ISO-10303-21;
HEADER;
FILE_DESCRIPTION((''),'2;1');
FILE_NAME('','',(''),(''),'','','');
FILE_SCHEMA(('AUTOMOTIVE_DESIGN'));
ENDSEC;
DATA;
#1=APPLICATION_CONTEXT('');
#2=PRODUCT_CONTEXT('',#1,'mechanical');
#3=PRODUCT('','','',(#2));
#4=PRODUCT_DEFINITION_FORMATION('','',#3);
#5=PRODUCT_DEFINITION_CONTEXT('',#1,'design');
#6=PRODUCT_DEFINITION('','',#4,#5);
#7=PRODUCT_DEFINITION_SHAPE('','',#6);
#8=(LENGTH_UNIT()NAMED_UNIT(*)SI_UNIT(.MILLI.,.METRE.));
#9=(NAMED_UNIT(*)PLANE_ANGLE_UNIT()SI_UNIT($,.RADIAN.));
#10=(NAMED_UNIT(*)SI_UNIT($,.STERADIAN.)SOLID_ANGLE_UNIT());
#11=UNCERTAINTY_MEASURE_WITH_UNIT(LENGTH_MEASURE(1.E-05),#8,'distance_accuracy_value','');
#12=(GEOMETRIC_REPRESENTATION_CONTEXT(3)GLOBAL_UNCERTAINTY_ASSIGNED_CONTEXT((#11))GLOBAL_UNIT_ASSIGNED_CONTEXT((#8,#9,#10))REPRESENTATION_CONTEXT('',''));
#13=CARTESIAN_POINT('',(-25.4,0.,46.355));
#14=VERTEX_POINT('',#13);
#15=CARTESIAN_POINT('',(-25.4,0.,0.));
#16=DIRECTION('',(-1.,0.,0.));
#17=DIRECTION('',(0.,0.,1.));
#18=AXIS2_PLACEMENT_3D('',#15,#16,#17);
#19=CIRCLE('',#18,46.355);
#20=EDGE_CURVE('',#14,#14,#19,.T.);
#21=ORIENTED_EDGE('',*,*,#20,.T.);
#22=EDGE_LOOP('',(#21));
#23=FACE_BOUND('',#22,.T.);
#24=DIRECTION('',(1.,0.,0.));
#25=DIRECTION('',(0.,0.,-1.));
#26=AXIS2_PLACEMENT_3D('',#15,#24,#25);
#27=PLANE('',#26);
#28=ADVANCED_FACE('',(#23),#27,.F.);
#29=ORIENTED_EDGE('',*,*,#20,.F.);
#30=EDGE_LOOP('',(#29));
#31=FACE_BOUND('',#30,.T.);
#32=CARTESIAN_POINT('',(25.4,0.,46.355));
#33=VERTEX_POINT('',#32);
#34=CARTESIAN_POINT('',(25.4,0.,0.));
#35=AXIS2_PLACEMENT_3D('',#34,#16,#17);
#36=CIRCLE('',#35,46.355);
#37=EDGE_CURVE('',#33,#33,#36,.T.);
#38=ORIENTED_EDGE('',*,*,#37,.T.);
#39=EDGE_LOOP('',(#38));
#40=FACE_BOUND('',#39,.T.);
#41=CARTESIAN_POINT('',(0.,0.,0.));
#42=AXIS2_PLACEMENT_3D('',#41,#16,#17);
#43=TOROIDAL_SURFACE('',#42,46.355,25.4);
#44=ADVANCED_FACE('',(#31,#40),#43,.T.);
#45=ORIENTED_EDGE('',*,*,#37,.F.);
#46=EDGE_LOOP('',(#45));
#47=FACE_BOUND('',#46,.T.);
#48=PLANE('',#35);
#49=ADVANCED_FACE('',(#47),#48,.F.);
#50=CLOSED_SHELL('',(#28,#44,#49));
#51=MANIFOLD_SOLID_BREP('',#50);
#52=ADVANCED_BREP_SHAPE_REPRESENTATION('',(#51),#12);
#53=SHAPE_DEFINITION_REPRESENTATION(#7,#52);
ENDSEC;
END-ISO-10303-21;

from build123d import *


with BuildPart() as part:
    # Sketch1 → Revolve1 (revolve)
    with BuildSketch(Plane(origin=(0, 0, 0), x_dir=(1, 0, 0), z_dir=(0, 1, 0)), mode=Mode.PRIVATE) as revolve1_sk:
        with BuildLine():
            Line((-25.4, 0), (-25.4, 46.355))
            ThreePointArc((-25.4, 46.355), (0, 71.755), (25.4, 46.355))
            Line((25.4, 46.355), (25.4, 0))
            Line((25.4, 0), (-25.4, 0))
        make_face()
    revolve(revolve1_sk.sketch.rotate(Axis((-123.825, 0, 0), (1, 0, 0)), 180), axis=Axis((-123.825, 0, 0), (1, 0, 0)))


solid = part.part
